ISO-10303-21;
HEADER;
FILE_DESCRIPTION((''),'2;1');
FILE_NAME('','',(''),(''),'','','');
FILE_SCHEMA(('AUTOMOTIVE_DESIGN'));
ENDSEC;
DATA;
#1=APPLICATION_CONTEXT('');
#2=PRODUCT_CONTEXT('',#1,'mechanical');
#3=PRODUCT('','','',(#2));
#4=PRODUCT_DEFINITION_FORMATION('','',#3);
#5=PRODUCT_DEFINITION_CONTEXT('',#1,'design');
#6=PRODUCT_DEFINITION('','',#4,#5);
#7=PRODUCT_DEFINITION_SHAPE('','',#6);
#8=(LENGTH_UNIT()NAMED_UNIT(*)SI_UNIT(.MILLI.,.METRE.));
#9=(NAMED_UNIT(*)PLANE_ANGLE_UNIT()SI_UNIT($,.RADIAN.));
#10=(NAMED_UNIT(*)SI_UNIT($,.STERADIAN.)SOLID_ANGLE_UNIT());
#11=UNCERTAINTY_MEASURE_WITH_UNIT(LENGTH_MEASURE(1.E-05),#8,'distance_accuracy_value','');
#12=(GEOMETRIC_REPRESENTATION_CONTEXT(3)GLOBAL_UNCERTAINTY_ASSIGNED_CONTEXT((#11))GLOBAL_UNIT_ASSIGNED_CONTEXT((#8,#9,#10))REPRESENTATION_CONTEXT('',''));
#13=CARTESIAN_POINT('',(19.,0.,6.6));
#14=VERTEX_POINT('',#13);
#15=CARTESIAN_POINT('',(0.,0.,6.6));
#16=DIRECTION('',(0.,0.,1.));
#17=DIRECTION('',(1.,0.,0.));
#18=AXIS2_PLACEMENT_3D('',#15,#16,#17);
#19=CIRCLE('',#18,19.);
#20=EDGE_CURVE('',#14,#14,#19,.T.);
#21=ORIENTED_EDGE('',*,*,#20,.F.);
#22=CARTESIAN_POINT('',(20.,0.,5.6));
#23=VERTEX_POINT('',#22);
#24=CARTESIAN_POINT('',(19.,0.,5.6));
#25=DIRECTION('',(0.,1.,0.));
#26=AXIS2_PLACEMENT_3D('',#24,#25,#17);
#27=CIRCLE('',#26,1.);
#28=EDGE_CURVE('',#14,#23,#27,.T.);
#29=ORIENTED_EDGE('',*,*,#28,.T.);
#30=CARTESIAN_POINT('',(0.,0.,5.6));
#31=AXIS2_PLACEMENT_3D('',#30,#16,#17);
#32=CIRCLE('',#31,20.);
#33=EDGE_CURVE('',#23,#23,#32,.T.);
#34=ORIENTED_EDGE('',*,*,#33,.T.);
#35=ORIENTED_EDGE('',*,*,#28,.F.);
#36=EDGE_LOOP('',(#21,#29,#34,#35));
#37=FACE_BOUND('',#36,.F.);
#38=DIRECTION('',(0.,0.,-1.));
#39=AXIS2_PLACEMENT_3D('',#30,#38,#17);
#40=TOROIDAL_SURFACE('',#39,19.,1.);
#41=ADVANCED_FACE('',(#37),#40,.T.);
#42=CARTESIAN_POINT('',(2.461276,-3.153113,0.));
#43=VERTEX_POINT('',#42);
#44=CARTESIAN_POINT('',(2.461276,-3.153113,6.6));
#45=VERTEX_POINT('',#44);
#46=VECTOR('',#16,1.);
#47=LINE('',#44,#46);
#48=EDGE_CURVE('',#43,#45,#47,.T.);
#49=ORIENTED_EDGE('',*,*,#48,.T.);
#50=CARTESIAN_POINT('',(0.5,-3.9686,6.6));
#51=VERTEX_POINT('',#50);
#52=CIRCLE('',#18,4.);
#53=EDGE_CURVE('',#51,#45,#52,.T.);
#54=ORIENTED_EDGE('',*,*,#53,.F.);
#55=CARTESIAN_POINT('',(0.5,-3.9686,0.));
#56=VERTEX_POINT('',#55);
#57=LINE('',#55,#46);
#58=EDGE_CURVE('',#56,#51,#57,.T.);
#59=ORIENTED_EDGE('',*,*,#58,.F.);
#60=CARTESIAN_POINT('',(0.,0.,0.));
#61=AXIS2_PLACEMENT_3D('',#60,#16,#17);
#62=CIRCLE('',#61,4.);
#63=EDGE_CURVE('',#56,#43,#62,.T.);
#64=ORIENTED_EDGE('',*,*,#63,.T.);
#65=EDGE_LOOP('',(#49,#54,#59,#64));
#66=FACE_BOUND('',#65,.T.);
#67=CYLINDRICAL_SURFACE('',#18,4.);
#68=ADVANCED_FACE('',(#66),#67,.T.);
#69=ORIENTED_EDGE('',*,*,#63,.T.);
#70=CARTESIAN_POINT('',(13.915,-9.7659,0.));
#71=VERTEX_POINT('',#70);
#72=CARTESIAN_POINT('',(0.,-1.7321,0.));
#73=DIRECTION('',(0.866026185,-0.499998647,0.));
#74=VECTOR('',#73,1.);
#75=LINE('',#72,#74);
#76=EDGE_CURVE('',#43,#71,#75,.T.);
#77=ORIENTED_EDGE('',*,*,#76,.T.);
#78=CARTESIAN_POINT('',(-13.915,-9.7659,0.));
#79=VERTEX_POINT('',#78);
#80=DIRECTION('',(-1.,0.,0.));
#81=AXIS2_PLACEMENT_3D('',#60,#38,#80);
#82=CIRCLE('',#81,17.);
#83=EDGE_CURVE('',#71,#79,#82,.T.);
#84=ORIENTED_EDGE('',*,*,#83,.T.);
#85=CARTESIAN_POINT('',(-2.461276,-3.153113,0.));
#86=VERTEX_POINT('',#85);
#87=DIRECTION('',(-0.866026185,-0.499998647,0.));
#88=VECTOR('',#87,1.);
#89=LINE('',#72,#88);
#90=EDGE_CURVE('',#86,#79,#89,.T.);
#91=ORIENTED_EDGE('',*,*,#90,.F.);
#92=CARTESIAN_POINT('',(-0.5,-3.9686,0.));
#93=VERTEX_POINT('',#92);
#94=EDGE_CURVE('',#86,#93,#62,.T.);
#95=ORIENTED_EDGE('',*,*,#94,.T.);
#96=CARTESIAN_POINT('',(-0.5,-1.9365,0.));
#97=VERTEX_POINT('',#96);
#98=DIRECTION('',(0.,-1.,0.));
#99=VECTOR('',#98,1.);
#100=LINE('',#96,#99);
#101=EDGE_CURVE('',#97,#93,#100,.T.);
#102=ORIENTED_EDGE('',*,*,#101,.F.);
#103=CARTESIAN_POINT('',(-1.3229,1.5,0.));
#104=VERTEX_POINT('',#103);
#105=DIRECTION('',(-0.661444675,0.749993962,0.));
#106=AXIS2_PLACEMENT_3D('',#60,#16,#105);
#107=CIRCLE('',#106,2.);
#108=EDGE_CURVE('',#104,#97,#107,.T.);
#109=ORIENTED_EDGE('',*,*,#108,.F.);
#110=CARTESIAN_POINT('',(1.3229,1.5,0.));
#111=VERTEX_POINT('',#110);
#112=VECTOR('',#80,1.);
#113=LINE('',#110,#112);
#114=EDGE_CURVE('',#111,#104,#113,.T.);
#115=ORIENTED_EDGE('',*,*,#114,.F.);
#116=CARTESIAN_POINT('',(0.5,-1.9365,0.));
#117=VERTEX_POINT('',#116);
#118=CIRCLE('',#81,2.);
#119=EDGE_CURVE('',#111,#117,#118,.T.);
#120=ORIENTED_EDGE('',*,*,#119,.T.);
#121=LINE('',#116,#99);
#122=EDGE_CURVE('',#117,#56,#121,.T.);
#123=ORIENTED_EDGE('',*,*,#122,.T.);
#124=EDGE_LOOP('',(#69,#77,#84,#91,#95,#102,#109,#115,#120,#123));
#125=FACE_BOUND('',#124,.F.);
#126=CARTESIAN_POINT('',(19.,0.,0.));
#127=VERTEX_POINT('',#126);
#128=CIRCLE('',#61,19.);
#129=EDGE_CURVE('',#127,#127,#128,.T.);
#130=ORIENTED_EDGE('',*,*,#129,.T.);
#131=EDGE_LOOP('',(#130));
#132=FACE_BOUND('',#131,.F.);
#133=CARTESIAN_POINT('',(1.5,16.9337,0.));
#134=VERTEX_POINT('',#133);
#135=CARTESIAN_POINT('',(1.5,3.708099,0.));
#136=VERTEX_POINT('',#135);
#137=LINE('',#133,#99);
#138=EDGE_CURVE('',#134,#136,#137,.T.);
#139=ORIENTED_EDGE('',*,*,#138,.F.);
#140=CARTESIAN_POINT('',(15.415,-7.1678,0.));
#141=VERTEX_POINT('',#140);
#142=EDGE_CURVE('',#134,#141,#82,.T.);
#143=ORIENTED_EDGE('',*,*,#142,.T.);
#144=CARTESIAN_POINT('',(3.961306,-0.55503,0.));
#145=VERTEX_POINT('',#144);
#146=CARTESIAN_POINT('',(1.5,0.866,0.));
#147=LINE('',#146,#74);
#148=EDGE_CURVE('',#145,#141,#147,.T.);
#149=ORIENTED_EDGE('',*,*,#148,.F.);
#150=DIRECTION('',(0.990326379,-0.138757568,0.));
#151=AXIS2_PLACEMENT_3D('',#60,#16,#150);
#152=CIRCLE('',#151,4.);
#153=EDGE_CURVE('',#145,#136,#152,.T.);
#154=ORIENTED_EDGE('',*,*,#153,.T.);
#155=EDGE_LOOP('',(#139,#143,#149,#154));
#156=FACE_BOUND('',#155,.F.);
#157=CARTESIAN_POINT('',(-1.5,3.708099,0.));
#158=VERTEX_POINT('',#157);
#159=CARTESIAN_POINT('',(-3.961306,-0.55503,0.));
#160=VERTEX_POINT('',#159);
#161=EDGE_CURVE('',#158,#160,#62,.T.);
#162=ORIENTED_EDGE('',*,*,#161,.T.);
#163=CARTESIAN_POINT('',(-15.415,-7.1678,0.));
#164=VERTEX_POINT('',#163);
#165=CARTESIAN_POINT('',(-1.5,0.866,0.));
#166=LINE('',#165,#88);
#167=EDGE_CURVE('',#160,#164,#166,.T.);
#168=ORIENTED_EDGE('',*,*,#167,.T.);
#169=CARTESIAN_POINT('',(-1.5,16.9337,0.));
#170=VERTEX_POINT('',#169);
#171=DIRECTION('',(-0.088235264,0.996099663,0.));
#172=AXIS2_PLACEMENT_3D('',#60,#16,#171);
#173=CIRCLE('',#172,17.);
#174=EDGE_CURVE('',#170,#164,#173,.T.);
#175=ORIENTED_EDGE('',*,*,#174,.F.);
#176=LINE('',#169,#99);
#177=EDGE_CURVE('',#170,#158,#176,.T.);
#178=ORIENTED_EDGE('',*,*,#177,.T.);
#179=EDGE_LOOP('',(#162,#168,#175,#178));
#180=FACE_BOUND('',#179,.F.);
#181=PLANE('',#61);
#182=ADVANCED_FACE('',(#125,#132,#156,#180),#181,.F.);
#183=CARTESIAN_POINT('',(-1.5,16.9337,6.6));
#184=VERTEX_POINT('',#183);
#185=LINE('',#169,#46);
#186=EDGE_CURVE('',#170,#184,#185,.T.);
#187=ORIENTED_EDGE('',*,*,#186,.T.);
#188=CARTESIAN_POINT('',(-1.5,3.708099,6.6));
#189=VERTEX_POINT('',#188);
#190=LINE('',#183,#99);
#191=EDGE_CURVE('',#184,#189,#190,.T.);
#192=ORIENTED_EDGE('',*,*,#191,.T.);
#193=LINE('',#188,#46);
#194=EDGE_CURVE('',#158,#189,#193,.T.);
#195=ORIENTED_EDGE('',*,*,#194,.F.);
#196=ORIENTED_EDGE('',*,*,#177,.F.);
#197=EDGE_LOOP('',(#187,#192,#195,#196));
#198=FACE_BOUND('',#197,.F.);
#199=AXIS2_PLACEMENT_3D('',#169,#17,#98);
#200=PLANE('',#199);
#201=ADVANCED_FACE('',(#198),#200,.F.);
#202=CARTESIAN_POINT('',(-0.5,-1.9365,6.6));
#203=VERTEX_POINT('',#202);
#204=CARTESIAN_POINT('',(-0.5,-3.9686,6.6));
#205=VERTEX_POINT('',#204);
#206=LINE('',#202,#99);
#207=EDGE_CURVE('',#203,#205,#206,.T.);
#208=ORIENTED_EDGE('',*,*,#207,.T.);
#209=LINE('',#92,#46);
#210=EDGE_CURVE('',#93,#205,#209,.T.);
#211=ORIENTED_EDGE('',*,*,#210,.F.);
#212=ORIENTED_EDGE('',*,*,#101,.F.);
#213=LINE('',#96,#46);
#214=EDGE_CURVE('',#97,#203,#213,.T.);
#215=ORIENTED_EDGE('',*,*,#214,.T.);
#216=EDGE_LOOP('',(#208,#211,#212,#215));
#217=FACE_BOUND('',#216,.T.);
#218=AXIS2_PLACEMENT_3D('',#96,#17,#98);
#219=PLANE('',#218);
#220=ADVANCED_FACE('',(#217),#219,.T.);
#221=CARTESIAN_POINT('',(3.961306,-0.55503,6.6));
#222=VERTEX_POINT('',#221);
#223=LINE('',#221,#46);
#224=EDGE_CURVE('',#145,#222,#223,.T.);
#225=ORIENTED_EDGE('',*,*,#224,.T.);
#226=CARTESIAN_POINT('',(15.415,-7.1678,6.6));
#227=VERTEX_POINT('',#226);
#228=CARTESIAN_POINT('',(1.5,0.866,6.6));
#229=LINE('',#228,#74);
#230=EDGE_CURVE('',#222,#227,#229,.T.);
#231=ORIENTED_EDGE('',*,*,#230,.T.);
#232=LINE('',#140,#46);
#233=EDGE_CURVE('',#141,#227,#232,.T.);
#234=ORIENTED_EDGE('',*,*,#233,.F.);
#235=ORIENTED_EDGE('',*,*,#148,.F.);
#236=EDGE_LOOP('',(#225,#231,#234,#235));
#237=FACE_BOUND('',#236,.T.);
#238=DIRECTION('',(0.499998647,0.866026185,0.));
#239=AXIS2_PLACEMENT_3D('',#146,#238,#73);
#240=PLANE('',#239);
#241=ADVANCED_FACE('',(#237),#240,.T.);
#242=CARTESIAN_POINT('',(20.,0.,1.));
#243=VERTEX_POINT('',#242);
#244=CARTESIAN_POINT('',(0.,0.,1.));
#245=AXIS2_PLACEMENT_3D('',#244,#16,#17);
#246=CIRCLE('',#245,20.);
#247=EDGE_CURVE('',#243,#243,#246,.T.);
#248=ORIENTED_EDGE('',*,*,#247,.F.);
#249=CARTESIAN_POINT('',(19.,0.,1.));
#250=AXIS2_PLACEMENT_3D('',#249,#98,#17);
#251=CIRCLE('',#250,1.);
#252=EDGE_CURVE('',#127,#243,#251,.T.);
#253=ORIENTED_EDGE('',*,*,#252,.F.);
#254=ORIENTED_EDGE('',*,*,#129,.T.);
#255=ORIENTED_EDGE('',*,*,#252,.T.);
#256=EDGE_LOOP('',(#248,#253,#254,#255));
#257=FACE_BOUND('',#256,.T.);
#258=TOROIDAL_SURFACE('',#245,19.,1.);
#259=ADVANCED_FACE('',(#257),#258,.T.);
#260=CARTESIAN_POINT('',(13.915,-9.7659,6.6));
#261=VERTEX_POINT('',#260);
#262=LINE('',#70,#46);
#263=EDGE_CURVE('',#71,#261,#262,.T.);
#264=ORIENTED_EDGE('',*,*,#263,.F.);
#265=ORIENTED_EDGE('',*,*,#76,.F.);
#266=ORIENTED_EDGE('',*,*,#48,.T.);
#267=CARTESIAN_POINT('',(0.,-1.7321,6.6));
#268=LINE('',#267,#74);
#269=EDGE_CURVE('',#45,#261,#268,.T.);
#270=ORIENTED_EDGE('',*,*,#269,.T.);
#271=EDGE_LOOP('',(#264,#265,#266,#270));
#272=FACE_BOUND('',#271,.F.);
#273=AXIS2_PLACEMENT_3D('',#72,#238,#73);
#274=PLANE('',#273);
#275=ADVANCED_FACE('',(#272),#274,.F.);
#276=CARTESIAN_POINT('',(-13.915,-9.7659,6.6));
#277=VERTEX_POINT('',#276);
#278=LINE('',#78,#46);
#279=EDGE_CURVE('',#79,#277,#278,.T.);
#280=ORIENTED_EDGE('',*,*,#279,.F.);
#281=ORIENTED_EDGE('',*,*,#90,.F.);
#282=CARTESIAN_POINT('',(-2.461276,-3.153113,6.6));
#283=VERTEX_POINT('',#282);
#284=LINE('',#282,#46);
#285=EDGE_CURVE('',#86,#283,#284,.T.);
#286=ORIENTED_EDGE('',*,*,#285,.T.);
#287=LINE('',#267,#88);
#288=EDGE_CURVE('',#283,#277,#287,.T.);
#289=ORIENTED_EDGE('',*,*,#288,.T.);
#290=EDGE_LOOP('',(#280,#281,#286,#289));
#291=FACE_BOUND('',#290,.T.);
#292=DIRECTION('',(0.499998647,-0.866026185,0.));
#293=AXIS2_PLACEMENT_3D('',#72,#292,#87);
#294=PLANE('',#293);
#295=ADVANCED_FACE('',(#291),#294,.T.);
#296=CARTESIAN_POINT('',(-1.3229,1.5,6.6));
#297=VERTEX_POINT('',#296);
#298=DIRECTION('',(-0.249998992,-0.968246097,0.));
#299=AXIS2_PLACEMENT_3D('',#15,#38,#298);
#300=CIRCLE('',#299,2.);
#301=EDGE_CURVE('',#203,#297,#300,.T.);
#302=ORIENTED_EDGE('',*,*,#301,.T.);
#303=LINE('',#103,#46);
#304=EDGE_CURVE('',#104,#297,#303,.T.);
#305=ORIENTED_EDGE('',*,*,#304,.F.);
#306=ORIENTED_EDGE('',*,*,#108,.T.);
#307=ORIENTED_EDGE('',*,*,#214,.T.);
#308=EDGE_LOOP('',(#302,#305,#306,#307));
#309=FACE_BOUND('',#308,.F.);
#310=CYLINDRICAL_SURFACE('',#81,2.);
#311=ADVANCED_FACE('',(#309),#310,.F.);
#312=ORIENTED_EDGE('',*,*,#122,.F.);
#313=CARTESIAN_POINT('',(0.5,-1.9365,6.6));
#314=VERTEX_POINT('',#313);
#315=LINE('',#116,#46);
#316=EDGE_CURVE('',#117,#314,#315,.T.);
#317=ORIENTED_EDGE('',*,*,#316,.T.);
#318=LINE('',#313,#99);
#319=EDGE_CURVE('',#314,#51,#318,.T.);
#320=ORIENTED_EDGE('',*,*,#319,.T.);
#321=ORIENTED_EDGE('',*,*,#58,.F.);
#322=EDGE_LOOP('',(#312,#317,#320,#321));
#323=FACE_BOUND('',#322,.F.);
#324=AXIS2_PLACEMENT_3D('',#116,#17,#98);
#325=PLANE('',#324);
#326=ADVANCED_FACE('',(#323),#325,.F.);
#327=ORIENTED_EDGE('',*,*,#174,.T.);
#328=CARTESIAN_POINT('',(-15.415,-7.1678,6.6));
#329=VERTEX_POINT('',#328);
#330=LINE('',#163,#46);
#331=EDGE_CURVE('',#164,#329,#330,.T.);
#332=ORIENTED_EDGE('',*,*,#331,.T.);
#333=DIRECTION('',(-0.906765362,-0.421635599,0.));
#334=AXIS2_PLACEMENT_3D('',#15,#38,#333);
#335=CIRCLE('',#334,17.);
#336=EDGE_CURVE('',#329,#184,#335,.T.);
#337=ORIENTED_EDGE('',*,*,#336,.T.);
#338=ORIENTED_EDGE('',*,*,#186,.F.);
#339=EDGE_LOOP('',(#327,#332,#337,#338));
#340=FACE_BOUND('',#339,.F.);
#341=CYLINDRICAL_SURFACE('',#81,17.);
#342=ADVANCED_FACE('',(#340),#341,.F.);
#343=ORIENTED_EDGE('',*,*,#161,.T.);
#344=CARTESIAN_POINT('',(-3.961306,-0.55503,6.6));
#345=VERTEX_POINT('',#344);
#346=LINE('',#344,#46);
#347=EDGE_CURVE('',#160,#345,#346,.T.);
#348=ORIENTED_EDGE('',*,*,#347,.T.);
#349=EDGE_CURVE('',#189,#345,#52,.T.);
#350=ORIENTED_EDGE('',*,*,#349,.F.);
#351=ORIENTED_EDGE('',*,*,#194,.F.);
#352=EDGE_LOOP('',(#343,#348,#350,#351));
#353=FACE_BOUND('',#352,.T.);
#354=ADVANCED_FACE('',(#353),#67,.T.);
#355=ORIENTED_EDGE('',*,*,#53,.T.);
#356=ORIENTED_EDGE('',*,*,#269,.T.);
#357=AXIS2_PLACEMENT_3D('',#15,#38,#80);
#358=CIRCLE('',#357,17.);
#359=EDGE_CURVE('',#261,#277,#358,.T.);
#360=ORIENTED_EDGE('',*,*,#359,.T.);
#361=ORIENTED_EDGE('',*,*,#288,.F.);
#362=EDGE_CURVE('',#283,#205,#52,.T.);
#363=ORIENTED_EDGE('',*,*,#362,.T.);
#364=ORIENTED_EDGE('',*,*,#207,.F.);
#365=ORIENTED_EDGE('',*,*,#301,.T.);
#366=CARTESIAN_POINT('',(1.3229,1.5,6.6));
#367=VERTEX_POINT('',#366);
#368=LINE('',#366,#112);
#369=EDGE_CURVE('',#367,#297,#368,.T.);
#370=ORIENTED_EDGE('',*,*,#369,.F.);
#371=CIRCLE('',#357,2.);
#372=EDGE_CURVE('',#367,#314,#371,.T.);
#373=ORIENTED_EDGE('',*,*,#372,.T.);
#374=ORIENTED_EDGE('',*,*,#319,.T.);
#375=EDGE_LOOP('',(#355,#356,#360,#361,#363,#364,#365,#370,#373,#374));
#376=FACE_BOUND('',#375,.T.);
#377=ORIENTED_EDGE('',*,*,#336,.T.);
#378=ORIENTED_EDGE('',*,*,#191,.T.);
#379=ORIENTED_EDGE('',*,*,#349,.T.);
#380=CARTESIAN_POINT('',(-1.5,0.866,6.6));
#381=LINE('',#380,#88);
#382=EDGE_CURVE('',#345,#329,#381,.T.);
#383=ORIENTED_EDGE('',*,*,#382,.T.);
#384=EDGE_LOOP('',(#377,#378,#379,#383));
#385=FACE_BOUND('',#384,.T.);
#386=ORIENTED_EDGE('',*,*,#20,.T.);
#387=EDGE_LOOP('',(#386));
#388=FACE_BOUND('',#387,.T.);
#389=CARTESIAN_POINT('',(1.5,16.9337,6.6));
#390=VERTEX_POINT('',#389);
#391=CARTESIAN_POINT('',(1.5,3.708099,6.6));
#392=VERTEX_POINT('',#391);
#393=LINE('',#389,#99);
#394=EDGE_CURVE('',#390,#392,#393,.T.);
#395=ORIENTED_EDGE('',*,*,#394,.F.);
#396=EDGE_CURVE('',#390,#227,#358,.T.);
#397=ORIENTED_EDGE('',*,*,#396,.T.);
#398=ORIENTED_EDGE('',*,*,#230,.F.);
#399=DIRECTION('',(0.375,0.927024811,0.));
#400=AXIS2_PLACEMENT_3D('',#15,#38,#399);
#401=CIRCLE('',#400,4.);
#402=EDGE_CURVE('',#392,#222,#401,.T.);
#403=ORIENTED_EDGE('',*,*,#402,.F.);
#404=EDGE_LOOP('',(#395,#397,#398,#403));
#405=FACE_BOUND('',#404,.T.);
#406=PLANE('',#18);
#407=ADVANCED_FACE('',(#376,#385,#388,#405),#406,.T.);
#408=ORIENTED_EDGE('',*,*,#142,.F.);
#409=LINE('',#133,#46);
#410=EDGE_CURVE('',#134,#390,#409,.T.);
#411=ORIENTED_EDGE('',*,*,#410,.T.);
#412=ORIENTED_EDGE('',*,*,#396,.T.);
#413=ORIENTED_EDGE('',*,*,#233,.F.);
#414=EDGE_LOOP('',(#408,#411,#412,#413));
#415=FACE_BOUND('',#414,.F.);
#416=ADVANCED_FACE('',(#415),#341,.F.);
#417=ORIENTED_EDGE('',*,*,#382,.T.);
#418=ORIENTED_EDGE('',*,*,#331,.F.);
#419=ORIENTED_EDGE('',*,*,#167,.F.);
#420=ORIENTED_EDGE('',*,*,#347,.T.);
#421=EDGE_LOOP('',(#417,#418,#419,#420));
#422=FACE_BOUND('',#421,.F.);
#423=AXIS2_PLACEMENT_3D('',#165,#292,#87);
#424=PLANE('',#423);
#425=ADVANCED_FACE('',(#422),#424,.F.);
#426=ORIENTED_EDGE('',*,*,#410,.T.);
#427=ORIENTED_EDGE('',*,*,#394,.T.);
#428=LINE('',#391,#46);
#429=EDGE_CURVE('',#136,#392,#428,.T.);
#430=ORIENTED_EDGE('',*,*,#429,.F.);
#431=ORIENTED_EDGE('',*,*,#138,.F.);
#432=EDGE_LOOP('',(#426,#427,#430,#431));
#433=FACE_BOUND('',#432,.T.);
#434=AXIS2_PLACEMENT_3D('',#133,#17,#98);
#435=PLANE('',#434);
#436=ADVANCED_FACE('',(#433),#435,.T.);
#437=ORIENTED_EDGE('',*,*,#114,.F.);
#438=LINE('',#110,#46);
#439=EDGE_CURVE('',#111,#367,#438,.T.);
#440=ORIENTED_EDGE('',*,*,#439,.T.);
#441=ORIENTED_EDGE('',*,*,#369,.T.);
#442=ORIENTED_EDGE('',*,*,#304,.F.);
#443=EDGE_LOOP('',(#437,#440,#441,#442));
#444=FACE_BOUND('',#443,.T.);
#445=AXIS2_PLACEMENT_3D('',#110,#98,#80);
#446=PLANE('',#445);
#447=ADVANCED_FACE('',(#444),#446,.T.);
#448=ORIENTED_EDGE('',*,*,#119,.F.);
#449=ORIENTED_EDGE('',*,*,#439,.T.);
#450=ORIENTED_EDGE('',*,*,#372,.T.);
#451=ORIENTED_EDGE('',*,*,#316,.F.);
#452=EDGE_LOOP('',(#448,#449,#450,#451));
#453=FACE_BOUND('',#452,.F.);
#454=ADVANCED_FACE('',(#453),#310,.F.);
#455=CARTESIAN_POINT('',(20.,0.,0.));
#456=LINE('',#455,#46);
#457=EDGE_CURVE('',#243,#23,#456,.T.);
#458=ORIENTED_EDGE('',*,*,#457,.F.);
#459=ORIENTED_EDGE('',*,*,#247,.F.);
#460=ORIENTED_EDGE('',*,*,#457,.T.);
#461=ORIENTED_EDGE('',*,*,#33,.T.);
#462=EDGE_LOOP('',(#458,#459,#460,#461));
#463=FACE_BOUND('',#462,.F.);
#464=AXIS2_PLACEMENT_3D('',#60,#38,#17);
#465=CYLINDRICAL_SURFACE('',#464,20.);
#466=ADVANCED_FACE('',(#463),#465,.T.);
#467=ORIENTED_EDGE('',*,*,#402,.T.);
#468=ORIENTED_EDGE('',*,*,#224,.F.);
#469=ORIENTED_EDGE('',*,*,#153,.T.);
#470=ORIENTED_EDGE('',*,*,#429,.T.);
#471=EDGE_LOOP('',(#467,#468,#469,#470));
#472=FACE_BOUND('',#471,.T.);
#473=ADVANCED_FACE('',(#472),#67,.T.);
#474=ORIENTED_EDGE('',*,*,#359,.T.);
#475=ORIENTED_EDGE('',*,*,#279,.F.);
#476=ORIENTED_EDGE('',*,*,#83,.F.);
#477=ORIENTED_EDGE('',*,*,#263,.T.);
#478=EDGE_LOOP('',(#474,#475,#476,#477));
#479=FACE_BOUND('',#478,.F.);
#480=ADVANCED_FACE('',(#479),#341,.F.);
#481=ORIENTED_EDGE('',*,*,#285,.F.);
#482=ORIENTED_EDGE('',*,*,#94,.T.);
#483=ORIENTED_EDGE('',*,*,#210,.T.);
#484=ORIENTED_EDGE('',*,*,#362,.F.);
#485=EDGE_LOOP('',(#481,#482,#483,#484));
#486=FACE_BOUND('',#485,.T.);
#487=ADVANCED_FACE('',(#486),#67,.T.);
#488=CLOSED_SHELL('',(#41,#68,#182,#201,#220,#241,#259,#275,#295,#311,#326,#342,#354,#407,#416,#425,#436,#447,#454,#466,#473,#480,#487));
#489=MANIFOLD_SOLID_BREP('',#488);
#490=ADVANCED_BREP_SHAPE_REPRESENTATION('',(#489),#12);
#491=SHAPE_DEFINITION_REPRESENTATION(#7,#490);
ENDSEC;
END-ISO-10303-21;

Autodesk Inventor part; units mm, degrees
ref_plane "YZ Plane" through (0, 0, 0) normal (1, 0, 0) x (0, 1, 0)
ref_plane "XZ Plane" through (0, 0, 0) normal (0, 1, 0) x (-1, 0, 0)
ref_plane "XY Plane" through (0, 0, 0) normal (0, 0, 1) x (1, 0, 0)
sketch "Sketch1" plane through (0, 0, 0) normal (0, 0, 1) x (1, 0, 0)
  circle A0 centre (0, 0) radius 20
  dimension "d0" = 40
extrude "Extrusion1" add sketch "Sketch1" along normal blind 6.6
sketch "Sketch3" plane through (0, 0, 0) normal (0, 0, -1) x (-1, 0, 0)
  circle A0 centre (0, 0) radius 17
  line L0 (0, 17) -> (0, 0)
  line L1 (0, 0) -> (14.7224, -8.5)
  line L2 (0, 0) -> (-14.7224, -8.5)
  line L3 (0, 0) -> (17, 0) construction
  line L4 (1.5, 16.9337) -> (1.5, 0.866)
  line L5 (-1.5, 16.9337) -> (-1.5, 0.866)
  line L6 (-1.5, 0.866) -> (-15.415, -7.1678)
  line L7 (0, -1.7321) -> (-13.915, -9.7659)
  line L8 (1.5, 0.866) -> (15.415, -7.1678)
  line L9 (0, -1.7321) -> (13.915, -9.7659)
  dimension "d6" = 34
  dimension "d7" = 120
  dimension "d8" = 150
  dimension "d9" = 1.5
  dimension "d10" = 1.5
  dimension "d11" = 1.5
  dimension "d12" = 1.5
  dimension "d13" = 1.5
  dimension "d14" = 1.5
extrude "Extrusion3" cut sketch "Sketch3" against normal up to surface (6.6 mm away) contours A0 L8 L4 | L5 L6 A0 | A0 L7 L9
sketch "Sketch5" plane through (0, 0, 6.6) normal (0, 0, 1) x (1, 0, 0)
  circle A0 centre (0, 0) radius 4
  dimension "d20" = 8
extrude "Extrusion5" add sketch "Sketch5" against normal blind 6.6
sketch "Sketch6" plane through (0, 0, 0) normal (0, 0, -1) x (-1, 0, 0)
  circle A0 centre (0, 0) radius 2
  line L0 (0, -2) -> (0, -4)
  arc A1 (-2.4613, -3.1531) -> (2.4613, -3.1531) centre (0, 0) ccw projected
  line L1 (0.5, -1.9365) -> (0.5, -3.9686)
  line L2 (-0.5, -1.9365) -> (-0.5, -3.9686)
  line L3 (-1.3229, 1.5) -> (1.3229, 1.5)
  point P0 (0.0845, 1.5)
  dimension "d23" = 4
  dimension "d24" = 0.5
  dimension "d25" = 0.5
  dimension "d29" = 3.5
extrude "Extrusion6" cut sketch "Sketch6" against normal up to surface (6.6 mm away) contours A0 L3 | L1 A1 L0 A0 | L0 A1 L2 A0 picked at (-0.5622, -0.3103)
fillet "Arredondamento1" radius 1 2 edges at (-20, 0, 6.6) (-20, 0, 0)
properties part number "wheel4mmV1"
